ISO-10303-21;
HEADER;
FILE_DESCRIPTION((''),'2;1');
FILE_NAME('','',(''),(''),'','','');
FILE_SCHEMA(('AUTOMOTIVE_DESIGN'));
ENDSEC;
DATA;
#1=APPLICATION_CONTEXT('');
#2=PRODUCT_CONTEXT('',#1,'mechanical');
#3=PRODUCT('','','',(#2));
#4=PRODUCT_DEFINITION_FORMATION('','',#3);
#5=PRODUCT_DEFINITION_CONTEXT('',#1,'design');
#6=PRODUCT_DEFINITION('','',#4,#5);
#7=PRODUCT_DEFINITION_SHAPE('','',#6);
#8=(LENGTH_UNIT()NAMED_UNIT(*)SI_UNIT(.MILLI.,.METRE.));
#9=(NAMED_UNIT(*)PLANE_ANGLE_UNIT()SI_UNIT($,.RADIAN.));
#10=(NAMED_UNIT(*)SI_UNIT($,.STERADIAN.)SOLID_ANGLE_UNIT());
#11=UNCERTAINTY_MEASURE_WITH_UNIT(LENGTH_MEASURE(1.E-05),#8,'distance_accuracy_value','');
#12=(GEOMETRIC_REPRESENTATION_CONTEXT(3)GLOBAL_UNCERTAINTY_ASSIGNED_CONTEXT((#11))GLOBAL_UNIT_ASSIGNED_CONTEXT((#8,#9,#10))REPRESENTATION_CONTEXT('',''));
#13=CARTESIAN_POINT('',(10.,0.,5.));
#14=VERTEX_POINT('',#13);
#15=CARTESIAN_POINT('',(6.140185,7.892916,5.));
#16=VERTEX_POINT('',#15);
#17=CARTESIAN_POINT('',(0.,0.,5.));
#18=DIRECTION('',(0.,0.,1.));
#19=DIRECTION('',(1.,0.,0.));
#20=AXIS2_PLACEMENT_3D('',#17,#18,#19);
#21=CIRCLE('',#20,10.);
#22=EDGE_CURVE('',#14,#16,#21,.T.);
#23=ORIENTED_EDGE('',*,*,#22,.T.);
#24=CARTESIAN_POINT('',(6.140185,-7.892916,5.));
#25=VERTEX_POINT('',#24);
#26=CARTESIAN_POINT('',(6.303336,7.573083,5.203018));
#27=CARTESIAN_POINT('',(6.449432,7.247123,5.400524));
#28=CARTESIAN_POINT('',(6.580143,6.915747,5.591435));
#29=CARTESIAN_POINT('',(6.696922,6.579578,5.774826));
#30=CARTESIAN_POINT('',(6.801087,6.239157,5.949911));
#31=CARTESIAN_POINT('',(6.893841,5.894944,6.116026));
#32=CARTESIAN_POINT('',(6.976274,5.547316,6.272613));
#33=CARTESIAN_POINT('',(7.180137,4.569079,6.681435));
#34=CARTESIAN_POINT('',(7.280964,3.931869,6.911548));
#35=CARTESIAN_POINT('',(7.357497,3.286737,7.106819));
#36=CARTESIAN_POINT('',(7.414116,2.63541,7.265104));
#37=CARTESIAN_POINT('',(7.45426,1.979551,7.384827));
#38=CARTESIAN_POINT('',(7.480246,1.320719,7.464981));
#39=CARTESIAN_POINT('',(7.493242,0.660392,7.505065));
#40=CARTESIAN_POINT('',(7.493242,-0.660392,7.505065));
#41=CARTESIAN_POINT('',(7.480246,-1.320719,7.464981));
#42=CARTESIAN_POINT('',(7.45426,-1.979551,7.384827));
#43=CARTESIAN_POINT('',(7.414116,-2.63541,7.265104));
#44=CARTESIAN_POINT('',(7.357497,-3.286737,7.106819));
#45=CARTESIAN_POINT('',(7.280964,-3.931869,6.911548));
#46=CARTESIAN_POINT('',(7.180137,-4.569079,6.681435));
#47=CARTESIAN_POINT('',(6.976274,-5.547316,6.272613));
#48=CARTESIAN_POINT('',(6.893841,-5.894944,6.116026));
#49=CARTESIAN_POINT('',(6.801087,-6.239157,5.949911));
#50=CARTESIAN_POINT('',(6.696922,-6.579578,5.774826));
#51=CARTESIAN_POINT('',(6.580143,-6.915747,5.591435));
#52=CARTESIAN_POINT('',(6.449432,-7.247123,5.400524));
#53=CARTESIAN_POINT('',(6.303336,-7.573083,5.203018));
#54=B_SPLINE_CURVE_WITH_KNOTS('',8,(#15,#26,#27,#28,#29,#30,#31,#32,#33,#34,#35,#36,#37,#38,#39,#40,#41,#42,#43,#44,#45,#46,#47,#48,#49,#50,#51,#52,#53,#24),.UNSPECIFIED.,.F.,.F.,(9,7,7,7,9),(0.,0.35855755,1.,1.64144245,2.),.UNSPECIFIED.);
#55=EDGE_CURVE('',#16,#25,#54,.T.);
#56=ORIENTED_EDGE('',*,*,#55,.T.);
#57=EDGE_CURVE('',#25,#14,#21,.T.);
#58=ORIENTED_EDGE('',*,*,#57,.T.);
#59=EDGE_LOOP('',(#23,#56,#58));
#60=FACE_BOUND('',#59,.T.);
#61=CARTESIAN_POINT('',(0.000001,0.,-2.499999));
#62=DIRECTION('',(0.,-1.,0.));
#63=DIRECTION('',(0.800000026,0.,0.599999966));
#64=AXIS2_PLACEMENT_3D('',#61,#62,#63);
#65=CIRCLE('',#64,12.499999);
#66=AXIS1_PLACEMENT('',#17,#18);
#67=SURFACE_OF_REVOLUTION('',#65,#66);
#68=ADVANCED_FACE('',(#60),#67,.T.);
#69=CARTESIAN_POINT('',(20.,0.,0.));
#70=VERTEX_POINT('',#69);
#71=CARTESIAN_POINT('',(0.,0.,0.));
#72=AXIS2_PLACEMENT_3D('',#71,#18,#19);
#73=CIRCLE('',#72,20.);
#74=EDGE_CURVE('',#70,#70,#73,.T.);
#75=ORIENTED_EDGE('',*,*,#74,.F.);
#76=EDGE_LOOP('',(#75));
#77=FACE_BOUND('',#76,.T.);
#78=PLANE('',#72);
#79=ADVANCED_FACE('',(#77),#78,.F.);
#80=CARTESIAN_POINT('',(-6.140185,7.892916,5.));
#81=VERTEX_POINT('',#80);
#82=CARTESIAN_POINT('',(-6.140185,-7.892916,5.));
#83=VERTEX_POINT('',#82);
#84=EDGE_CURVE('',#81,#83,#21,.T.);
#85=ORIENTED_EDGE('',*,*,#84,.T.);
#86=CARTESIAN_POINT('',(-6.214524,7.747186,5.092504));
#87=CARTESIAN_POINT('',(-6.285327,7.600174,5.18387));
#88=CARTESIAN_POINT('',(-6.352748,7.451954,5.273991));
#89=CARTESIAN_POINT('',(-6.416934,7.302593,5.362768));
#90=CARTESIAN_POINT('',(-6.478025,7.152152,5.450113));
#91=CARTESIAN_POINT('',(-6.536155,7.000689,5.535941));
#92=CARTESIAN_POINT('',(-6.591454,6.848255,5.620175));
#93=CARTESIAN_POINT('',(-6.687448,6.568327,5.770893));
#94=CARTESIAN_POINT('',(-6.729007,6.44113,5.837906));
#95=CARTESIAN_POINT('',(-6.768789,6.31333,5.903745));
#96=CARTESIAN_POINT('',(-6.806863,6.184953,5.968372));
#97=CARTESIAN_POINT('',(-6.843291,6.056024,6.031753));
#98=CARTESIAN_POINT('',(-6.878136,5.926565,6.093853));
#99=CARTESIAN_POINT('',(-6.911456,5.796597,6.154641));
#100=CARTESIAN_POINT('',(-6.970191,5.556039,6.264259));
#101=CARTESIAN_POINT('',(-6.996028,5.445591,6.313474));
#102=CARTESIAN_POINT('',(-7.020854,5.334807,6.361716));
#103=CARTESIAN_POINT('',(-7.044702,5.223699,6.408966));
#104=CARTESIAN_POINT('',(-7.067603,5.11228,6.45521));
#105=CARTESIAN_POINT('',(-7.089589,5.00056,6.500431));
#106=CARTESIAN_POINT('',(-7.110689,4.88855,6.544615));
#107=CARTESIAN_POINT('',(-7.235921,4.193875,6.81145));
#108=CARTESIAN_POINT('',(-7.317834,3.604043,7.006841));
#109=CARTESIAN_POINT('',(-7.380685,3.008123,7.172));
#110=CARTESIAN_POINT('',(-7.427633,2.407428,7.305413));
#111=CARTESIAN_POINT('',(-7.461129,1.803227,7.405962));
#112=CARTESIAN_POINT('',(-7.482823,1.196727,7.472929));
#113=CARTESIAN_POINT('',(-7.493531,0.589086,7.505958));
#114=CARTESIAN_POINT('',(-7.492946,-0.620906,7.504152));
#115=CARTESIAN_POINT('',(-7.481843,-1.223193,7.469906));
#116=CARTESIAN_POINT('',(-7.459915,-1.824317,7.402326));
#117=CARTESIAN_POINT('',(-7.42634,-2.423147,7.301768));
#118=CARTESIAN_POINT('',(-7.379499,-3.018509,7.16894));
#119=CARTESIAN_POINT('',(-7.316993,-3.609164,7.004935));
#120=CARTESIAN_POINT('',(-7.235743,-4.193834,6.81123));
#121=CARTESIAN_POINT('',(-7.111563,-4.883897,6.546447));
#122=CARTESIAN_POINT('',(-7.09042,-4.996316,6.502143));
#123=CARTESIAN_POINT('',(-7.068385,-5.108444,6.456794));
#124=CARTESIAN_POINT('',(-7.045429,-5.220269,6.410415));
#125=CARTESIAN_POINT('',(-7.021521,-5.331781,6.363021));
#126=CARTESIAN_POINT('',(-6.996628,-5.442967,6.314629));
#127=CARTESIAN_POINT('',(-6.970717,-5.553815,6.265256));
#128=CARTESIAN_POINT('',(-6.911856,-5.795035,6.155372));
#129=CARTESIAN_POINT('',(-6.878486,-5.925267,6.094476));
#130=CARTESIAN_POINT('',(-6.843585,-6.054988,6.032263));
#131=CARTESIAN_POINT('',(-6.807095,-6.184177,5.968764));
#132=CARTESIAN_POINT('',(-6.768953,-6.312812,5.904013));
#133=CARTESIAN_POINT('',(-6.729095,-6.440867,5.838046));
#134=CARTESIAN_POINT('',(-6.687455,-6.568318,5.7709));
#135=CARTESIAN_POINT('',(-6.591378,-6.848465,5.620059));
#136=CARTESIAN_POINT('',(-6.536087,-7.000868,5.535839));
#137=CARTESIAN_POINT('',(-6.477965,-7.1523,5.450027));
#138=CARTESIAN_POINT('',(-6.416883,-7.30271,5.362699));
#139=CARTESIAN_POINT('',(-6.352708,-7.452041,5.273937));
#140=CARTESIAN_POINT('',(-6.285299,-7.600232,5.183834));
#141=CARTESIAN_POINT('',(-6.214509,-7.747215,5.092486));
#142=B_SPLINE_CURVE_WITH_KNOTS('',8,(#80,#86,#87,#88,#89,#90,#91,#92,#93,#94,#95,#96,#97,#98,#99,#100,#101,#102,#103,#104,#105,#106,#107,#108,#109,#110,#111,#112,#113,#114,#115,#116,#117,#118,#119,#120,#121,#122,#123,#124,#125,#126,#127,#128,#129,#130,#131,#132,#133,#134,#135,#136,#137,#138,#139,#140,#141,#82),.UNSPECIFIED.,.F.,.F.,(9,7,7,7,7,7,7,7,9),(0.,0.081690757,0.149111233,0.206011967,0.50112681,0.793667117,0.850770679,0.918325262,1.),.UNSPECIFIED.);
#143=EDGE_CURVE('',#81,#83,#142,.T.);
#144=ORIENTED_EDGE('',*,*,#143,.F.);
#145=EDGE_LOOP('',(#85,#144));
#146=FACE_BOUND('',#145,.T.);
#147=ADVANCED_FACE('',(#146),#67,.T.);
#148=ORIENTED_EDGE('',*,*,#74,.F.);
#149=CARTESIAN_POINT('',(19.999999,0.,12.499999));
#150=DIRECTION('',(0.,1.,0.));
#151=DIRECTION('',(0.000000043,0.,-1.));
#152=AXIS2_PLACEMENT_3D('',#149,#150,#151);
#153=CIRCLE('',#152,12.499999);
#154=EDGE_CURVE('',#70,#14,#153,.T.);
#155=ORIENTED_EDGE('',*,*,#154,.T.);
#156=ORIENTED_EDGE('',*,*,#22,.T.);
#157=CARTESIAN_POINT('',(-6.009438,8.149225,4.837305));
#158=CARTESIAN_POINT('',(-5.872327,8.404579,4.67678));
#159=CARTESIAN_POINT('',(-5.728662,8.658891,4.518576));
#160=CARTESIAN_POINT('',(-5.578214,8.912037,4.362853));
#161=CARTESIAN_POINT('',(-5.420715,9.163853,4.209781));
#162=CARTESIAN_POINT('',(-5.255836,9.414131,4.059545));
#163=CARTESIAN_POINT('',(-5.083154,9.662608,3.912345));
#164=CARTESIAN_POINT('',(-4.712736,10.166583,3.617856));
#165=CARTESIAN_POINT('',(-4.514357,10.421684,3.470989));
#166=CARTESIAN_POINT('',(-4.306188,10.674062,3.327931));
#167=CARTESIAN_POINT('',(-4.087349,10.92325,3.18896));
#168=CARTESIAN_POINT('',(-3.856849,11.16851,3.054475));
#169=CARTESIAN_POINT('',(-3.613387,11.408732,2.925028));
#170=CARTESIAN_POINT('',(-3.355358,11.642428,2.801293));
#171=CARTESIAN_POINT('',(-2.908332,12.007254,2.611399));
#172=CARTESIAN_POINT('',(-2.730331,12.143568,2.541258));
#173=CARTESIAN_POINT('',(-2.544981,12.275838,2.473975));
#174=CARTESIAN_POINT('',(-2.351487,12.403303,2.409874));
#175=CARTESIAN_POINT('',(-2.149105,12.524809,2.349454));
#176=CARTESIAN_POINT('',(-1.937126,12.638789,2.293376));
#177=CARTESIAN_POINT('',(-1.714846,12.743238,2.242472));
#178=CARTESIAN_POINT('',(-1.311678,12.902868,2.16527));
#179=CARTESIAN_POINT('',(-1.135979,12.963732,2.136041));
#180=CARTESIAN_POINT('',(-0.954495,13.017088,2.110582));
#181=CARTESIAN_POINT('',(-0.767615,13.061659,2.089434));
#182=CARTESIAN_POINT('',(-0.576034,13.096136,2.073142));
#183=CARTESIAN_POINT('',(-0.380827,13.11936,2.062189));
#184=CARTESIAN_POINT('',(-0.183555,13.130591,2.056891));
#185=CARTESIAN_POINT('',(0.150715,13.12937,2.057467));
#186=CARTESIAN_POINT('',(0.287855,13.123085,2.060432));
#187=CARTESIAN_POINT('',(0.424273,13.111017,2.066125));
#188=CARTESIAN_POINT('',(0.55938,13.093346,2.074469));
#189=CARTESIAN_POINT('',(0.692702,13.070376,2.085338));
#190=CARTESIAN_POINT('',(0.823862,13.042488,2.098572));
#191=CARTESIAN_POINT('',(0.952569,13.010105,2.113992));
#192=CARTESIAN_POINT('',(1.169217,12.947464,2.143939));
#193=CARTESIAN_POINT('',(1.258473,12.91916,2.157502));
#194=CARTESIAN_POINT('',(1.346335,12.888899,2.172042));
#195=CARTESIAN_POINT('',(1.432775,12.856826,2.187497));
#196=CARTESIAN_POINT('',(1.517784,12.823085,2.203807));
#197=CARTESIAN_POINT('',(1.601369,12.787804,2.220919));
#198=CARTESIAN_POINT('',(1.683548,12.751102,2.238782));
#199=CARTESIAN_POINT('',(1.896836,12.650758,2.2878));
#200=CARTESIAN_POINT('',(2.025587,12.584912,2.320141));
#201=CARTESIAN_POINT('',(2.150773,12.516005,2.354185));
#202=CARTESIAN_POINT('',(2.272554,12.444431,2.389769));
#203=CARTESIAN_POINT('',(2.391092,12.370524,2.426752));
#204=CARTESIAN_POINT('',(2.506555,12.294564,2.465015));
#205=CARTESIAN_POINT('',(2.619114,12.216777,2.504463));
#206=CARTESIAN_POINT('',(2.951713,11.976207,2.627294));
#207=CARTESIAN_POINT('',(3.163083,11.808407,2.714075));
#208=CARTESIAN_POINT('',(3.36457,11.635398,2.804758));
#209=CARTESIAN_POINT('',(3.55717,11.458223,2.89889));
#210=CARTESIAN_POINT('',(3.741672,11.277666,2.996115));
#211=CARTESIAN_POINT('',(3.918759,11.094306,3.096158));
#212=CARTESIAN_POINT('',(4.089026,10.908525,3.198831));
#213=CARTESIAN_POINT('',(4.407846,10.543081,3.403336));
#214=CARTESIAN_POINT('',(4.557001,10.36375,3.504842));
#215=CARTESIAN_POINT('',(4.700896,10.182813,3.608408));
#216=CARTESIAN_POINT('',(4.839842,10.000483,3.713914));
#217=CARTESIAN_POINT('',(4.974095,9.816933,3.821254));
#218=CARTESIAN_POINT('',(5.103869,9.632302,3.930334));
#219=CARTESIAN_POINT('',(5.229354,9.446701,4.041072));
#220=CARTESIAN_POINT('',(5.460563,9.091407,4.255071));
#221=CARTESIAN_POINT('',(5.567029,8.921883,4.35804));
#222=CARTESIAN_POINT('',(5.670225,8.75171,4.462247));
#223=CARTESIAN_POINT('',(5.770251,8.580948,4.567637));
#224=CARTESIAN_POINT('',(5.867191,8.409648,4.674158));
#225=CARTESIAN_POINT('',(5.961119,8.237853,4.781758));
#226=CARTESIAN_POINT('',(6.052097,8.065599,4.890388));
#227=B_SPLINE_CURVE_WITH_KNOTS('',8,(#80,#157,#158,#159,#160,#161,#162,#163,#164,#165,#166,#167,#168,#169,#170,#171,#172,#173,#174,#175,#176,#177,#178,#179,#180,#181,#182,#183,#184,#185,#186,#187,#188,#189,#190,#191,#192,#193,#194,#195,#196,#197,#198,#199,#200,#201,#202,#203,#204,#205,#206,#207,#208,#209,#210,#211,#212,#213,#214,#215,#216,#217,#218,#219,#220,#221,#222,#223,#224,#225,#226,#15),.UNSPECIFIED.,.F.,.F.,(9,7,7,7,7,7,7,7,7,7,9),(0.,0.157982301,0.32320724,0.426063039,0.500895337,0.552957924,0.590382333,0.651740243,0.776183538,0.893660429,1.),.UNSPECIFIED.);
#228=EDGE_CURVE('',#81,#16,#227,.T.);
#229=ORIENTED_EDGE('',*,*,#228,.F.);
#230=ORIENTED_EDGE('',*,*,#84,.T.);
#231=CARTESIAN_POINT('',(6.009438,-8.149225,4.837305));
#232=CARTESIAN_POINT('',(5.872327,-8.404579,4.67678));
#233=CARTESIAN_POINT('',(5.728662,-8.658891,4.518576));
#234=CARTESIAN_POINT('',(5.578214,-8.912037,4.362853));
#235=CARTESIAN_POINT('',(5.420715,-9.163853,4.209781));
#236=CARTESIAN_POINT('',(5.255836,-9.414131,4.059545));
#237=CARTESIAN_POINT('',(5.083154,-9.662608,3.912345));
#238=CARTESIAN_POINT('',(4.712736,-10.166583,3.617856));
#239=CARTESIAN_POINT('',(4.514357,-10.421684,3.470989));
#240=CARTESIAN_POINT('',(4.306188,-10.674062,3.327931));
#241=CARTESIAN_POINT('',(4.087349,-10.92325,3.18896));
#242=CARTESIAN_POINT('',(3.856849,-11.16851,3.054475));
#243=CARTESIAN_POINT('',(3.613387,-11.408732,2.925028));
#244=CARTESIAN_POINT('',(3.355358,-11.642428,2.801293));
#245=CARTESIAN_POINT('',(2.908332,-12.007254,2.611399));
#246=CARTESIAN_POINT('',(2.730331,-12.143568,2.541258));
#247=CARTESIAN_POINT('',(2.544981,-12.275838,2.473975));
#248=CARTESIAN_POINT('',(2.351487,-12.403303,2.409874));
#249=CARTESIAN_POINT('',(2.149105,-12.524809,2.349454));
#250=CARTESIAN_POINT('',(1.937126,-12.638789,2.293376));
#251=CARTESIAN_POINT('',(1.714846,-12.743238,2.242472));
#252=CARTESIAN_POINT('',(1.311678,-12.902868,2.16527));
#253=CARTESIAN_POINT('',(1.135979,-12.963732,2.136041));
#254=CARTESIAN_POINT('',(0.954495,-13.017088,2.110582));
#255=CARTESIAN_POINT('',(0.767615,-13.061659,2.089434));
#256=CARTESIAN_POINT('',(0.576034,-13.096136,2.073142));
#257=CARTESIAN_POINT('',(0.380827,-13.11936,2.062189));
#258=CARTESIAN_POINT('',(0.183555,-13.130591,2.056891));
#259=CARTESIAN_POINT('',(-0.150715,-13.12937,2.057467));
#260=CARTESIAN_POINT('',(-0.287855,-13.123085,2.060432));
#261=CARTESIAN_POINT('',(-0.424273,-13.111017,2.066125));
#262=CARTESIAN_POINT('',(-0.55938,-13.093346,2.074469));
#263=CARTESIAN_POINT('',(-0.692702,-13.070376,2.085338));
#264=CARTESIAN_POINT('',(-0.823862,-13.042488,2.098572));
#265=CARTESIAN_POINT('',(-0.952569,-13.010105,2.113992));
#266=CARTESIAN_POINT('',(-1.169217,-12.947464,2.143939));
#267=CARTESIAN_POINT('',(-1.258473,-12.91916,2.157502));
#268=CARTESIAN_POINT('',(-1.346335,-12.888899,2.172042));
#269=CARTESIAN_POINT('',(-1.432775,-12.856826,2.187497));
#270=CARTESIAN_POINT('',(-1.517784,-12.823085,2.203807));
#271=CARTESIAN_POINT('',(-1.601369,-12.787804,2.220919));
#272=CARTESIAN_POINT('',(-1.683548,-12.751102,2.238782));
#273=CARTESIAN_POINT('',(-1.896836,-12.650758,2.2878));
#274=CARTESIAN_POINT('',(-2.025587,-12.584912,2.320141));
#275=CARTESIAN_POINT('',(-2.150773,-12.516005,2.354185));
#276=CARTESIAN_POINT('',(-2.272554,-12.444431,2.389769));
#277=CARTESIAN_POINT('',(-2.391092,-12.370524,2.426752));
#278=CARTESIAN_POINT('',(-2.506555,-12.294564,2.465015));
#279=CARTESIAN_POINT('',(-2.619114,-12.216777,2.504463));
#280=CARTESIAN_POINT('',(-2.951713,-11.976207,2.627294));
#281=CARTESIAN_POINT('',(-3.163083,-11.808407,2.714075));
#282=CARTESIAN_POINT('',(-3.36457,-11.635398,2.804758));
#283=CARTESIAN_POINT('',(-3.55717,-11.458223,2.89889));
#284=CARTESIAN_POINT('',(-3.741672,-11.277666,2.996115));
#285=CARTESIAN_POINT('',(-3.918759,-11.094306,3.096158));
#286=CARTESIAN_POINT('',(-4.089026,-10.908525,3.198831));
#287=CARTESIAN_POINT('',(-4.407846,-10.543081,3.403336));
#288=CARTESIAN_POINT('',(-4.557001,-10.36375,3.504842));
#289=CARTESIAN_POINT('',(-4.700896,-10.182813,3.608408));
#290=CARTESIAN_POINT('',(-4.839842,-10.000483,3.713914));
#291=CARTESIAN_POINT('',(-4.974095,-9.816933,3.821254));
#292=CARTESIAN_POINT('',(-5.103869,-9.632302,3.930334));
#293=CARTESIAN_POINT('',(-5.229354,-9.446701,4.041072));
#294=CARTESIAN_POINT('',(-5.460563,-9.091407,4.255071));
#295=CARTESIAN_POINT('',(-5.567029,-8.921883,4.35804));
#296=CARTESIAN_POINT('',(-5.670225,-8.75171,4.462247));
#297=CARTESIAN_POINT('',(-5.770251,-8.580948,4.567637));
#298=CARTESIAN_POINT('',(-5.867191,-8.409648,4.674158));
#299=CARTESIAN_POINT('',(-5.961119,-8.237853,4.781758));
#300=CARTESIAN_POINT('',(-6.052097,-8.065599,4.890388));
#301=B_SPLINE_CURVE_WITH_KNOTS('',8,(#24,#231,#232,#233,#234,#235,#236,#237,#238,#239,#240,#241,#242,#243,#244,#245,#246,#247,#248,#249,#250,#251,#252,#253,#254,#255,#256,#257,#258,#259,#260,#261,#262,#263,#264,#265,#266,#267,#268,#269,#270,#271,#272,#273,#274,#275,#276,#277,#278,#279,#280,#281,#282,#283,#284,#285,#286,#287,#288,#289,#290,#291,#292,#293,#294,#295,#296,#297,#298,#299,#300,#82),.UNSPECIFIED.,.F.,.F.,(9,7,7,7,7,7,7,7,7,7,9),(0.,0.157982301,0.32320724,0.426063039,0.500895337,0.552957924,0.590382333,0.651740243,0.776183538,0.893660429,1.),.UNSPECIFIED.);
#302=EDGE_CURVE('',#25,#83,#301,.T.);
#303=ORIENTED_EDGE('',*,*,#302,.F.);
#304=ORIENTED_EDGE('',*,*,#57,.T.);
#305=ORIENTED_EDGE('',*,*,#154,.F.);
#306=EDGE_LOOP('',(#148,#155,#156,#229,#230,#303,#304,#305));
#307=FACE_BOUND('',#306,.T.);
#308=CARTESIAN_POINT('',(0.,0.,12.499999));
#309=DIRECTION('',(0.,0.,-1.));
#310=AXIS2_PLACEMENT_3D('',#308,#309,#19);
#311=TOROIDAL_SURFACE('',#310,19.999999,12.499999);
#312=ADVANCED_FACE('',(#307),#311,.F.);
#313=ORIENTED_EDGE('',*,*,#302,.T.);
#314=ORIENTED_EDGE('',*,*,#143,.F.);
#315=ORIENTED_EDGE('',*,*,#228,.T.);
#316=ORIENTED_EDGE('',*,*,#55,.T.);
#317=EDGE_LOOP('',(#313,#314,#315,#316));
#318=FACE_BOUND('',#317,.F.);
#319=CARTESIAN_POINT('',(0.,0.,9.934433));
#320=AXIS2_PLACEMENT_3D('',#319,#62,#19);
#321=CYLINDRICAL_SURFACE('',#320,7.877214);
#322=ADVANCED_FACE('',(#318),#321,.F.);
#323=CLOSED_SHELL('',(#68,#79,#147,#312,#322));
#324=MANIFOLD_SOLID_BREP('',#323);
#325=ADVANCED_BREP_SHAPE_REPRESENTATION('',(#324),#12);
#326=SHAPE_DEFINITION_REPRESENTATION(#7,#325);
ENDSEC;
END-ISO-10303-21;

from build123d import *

# Parameters (mm, degrees)
F2_R     = 7.877214
F3_DEPTH = 50


with BuildPart() as f1:
    # F0 (on Front) → F1 (revolve)
    with BuildSketch(Plane.XZ):
        with BuildLine():
            Line((0, 10), (0, 0))
            Line((0, 0), (20, 0))
            ThreePointArc((20, 0), (14.40983, 1.31966), (10, 5))
            ThreePointArc((10, 5), (5.59017, 8.68034), (0, 10))
        make_face()
    revolve(axis=Axis((0, 0, 5), (0, 0, 1)))

    # F2 (on Front) → F3 (cut, symmetric)
    with BuildSketch(Plane.XZ):
        with Locations((0, 9.934433)):
            Circle(F2_R)
    extrude(amount=F3_DEPTH, both=True, mode=Mode.SUBTRACT)


solid = f1.part
